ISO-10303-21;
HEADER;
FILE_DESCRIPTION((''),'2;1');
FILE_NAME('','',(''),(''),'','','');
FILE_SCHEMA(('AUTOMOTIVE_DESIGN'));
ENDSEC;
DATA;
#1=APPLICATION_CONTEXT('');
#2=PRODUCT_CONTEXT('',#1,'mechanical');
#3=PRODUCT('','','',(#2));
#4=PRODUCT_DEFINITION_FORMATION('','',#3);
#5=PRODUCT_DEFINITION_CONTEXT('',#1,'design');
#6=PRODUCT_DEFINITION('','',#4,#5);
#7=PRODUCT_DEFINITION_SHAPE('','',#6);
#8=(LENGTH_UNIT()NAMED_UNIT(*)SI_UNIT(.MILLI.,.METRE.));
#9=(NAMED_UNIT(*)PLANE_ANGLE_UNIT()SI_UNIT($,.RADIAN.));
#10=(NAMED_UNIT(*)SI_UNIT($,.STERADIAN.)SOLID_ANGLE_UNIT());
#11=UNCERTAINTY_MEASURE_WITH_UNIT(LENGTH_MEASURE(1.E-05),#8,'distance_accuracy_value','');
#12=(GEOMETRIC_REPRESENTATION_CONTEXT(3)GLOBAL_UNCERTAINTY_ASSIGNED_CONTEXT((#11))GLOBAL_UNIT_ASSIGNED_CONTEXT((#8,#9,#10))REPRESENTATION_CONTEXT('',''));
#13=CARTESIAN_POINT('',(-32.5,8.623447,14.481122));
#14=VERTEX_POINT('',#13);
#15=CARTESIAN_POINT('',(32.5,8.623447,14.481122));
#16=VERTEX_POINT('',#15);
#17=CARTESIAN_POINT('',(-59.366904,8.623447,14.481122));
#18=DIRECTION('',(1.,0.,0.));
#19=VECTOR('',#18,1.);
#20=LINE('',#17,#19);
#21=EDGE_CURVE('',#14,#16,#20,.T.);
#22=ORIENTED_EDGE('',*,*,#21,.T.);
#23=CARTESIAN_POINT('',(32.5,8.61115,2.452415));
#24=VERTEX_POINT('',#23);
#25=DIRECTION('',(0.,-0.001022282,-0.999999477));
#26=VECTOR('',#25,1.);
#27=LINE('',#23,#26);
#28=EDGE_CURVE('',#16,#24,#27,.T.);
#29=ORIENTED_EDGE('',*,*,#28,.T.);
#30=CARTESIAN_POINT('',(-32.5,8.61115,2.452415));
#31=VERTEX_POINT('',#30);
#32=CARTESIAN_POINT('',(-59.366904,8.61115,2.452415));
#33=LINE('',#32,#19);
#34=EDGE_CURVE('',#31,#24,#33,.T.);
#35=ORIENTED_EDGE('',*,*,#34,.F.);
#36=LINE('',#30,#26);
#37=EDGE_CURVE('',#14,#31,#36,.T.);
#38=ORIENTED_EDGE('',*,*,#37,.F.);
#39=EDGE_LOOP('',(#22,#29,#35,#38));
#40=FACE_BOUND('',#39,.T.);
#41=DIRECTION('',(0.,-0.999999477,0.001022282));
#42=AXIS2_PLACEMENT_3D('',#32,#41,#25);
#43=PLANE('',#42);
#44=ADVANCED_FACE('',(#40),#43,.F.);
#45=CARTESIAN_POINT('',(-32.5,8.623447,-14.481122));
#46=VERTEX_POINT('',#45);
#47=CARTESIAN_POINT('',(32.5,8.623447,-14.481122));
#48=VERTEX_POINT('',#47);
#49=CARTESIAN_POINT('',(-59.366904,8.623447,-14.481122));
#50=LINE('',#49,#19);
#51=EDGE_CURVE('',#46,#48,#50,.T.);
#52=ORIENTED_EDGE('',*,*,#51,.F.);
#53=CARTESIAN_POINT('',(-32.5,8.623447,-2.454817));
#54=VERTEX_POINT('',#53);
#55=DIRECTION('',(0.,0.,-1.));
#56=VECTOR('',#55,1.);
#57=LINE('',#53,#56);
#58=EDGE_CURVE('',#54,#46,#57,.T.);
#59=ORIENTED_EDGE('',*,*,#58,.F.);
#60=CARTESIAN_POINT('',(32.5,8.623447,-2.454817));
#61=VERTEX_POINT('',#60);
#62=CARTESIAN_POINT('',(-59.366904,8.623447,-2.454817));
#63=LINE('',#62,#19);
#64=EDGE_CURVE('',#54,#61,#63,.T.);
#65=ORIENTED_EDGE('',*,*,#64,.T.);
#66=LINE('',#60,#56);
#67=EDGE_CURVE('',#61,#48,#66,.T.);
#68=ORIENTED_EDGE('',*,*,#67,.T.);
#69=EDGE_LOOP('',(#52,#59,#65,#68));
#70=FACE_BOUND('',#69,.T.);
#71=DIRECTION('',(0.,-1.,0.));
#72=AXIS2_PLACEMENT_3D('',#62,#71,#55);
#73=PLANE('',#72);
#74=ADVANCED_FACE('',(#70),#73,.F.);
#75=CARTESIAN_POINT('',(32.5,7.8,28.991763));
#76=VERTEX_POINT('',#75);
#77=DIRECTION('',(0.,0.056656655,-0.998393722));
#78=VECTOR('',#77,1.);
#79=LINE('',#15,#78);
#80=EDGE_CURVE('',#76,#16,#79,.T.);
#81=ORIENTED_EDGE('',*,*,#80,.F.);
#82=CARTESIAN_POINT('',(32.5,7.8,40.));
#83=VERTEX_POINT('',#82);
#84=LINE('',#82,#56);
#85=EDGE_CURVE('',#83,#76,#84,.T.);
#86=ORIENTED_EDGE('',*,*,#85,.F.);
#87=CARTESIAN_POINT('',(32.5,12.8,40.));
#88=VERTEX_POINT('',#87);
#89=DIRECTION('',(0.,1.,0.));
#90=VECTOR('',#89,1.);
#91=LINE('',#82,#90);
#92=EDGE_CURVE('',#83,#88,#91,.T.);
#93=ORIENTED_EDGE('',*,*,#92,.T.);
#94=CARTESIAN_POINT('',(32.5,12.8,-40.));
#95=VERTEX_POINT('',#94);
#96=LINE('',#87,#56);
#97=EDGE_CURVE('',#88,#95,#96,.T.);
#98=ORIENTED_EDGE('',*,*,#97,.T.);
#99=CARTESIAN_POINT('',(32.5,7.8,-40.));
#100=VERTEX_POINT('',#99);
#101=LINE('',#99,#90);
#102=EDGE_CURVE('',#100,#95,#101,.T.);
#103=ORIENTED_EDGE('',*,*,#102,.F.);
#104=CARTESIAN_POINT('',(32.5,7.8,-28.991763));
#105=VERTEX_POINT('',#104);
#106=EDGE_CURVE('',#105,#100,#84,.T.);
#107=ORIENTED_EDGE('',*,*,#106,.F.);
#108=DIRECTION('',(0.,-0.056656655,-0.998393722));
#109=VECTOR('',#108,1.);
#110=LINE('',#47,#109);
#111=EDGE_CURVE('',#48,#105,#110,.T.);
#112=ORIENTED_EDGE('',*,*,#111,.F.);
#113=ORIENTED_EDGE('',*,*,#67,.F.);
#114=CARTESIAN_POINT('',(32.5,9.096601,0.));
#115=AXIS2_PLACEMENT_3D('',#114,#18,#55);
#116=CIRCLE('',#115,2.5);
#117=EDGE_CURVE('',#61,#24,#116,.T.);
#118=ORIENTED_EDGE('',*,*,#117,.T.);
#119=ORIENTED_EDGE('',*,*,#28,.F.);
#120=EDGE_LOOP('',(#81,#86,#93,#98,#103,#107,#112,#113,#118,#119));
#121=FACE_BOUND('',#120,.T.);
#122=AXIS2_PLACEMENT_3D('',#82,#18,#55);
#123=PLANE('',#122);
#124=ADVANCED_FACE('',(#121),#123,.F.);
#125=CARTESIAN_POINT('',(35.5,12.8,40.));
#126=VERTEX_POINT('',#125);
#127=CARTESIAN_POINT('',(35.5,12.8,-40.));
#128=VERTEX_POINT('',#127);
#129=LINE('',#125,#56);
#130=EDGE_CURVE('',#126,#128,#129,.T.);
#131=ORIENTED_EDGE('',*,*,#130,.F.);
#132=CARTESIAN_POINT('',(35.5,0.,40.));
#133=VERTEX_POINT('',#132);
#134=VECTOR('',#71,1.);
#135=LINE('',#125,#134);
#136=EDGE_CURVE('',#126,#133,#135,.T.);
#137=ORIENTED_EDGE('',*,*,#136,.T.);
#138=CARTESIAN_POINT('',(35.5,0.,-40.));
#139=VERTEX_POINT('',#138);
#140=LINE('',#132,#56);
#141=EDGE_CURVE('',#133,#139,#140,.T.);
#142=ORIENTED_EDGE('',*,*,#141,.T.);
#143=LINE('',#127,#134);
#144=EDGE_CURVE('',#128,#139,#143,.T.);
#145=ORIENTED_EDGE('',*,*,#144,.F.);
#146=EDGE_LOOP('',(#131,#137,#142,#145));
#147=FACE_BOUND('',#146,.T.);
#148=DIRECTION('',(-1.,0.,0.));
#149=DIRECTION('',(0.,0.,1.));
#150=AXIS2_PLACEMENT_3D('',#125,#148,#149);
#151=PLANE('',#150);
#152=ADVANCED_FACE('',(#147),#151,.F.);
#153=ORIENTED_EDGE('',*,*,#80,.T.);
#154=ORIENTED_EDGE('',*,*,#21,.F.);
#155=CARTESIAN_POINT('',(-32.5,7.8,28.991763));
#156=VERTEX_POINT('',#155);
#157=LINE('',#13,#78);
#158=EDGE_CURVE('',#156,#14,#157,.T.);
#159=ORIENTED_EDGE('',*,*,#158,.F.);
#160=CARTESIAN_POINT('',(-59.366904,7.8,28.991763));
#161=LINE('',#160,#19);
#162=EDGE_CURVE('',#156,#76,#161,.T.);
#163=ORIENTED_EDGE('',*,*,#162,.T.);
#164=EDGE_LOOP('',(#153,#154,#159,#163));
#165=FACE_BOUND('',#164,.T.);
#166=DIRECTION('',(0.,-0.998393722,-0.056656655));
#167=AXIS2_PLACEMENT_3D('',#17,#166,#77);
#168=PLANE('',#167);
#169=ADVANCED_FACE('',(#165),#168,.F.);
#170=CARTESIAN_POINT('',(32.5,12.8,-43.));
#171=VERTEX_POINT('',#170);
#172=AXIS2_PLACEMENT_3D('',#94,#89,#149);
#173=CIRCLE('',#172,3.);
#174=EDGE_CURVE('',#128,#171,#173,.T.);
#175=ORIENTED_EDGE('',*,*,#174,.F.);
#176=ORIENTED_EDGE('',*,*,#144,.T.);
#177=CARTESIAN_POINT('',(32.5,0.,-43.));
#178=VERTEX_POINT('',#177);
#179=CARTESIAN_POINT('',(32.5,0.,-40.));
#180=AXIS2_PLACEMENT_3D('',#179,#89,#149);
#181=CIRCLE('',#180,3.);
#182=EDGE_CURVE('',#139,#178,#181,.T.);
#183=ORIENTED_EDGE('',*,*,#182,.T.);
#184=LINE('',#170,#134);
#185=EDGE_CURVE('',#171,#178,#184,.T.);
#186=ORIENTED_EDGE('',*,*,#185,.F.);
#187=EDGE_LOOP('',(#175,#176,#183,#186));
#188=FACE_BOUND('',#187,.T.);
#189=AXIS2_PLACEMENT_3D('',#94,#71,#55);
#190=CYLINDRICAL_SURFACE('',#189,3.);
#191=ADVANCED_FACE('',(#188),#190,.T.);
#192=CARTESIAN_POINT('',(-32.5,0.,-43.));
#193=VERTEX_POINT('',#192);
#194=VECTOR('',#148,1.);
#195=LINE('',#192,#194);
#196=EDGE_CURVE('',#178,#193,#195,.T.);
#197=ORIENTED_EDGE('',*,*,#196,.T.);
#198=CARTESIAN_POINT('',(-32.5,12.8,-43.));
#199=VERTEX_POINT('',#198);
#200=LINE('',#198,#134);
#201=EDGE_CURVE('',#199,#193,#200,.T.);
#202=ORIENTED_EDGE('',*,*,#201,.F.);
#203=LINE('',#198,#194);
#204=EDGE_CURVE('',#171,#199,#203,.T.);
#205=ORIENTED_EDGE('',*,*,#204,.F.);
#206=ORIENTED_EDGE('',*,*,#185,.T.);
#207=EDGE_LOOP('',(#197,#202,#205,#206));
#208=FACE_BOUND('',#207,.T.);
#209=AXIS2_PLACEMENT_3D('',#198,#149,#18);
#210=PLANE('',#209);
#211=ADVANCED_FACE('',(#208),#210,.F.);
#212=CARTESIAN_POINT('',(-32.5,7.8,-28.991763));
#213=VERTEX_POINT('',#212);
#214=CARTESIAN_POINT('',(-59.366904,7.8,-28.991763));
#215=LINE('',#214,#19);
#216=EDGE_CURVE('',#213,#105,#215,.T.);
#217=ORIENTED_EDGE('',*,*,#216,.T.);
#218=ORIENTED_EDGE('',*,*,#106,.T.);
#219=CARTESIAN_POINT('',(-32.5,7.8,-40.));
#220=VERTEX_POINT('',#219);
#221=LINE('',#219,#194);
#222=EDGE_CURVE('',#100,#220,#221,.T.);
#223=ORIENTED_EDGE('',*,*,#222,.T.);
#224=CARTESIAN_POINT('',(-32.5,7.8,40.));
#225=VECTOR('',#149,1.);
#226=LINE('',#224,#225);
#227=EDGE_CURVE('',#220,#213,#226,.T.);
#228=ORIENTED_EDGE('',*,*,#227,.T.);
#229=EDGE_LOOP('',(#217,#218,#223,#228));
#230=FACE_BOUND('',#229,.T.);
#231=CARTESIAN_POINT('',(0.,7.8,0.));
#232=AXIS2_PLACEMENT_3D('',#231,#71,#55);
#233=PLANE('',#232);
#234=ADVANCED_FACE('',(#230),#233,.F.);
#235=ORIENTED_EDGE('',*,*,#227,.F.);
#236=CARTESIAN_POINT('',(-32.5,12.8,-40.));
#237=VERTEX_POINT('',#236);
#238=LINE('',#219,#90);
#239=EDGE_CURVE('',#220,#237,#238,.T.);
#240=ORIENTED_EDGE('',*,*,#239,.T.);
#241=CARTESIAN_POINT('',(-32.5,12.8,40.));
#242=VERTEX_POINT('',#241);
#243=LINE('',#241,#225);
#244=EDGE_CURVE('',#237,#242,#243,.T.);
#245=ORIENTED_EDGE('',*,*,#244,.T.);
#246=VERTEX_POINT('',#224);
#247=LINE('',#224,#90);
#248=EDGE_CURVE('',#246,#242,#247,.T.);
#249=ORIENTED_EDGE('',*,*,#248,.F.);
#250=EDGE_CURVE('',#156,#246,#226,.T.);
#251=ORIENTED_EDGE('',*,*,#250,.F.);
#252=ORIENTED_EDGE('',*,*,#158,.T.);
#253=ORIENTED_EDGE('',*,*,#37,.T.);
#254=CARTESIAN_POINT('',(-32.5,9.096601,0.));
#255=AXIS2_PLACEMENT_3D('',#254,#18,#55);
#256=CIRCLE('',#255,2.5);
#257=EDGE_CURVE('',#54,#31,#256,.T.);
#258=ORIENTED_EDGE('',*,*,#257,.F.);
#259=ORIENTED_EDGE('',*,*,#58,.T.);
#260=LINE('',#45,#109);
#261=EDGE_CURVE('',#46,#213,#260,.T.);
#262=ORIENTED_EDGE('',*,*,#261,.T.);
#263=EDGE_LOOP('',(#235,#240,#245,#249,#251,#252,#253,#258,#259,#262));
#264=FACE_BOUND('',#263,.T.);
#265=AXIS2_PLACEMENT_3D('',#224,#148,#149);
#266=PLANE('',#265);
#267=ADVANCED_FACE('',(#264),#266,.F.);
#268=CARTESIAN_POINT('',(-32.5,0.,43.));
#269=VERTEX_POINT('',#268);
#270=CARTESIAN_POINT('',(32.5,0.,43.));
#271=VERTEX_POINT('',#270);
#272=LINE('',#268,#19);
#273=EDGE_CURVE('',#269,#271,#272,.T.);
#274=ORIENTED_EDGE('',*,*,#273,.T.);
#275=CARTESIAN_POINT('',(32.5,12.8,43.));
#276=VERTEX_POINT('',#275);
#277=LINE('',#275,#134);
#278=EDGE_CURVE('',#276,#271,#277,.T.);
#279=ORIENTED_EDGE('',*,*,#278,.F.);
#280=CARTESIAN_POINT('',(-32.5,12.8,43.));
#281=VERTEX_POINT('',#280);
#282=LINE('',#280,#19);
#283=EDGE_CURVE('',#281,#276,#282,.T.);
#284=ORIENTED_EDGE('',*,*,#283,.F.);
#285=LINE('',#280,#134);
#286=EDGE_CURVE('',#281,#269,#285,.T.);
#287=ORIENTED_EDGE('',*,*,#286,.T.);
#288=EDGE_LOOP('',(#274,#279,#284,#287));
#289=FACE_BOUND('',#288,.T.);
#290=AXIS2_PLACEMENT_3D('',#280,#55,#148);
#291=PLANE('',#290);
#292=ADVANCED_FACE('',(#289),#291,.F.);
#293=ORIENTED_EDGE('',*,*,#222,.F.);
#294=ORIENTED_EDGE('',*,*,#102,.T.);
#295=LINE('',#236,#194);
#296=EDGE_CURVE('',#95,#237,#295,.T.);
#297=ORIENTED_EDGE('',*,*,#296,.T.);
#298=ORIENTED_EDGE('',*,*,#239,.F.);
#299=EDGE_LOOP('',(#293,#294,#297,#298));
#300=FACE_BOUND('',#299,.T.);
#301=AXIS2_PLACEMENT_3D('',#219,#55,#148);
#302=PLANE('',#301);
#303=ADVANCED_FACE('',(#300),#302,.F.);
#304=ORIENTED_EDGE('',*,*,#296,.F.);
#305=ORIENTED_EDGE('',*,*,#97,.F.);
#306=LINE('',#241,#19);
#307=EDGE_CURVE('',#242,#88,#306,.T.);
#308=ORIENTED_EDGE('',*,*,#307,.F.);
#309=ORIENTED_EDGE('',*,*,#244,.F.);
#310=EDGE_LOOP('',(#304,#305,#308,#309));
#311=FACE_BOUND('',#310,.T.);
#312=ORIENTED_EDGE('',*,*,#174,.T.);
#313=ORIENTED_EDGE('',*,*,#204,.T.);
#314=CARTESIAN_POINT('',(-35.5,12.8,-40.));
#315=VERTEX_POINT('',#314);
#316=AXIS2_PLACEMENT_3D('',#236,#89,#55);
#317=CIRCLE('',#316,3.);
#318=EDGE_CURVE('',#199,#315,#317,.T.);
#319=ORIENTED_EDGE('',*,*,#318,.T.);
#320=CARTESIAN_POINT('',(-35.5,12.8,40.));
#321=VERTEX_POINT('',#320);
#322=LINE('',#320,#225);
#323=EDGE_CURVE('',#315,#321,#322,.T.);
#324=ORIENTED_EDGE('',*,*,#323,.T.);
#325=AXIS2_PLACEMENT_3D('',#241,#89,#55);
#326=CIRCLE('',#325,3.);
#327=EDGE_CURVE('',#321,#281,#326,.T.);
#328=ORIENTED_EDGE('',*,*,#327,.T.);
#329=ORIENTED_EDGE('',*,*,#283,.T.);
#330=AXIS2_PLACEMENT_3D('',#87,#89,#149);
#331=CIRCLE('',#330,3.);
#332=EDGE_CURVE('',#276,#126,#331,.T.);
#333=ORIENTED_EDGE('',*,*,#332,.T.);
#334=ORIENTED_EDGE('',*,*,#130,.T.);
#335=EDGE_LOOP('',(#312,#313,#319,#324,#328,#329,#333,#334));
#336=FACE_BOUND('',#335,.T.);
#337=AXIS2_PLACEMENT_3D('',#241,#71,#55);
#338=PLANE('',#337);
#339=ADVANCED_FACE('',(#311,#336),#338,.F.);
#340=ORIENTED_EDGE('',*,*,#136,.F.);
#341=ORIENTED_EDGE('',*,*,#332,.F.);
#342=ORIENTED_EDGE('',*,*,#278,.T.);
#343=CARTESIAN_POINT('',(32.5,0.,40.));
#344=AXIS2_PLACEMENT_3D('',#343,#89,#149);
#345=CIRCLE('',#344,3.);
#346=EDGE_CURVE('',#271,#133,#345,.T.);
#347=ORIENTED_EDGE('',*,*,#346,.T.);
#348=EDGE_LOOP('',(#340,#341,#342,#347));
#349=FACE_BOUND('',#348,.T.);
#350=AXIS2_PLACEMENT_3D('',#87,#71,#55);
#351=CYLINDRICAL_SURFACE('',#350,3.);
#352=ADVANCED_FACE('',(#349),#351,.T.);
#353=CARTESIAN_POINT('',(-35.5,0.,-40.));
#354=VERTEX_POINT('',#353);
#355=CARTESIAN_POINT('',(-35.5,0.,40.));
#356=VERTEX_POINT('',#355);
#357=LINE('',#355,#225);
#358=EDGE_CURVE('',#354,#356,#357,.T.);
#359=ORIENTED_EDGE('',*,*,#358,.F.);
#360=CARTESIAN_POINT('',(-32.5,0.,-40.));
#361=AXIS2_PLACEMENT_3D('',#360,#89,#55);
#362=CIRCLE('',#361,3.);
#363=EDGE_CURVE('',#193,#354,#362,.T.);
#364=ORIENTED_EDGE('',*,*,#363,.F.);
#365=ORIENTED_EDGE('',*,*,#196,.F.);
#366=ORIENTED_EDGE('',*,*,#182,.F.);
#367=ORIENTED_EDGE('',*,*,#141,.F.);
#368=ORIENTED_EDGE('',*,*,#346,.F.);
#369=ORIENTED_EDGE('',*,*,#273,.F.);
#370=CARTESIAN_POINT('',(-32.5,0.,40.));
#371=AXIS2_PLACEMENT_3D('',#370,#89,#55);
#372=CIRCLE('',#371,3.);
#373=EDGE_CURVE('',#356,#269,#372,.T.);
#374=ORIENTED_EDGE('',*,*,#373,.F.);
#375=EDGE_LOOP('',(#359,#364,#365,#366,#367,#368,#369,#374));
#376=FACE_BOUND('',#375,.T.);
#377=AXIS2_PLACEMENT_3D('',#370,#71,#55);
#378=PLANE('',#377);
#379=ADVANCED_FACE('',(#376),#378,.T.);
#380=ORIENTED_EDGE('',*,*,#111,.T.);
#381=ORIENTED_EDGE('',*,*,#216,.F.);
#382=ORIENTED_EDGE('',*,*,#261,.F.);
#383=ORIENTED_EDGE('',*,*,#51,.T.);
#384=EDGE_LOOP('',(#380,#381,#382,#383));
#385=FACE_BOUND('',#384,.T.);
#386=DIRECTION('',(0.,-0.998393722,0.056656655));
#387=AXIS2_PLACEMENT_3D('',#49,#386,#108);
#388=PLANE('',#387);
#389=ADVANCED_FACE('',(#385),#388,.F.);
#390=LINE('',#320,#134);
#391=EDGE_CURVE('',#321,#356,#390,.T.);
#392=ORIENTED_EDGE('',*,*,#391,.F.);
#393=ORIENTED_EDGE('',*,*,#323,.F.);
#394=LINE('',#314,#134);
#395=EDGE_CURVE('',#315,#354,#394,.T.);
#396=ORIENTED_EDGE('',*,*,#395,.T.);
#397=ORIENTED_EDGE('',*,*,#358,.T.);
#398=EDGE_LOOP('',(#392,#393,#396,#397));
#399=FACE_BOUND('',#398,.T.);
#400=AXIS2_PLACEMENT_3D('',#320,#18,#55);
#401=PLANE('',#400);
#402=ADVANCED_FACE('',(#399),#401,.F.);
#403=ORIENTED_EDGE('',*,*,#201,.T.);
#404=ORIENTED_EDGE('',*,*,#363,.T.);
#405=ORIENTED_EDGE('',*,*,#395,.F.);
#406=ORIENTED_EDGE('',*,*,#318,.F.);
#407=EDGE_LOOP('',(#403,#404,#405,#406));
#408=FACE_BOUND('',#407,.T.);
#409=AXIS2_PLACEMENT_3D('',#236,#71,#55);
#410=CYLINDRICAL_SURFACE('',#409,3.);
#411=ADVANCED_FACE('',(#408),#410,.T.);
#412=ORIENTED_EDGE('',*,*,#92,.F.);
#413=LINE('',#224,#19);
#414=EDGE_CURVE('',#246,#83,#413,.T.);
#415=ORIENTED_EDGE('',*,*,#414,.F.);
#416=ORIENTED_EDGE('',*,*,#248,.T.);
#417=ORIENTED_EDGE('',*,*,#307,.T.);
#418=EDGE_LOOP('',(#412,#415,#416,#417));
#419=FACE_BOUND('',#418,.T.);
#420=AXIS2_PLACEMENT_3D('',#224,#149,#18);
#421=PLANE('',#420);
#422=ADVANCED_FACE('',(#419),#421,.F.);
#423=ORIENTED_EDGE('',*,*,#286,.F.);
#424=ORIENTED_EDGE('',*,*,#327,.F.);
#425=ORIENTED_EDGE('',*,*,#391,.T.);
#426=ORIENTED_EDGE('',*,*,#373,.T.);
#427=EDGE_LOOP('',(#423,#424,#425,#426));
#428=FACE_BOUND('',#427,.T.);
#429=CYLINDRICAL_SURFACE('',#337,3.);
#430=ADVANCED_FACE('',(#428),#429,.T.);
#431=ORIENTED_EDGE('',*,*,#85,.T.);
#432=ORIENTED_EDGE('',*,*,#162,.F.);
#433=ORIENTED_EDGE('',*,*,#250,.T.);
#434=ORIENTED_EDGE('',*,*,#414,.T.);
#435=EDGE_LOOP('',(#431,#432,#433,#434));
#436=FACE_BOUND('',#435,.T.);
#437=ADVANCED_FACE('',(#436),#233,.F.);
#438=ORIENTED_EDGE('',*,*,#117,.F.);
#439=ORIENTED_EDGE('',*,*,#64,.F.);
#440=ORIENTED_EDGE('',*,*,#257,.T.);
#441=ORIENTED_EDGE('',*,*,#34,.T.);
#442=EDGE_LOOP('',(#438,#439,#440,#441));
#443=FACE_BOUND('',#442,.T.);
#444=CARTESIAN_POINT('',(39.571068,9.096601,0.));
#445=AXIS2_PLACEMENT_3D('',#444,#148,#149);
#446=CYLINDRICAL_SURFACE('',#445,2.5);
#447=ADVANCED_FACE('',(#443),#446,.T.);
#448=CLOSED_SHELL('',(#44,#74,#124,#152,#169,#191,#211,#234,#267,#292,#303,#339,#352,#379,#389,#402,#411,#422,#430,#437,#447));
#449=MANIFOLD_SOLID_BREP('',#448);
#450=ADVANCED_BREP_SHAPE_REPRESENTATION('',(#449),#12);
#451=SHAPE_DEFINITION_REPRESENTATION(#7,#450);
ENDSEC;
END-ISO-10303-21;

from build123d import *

# Parameters (mm, degrees)
BOSS_EXTRUDE1_DEPTH = 12.8
SKETCH2_W           = 65
SKETCH2_H           = 80
CUT_EXTRUDE1_DEPTH  = 5
SKETCH3_R           = 2.5
BOSS_EXTRUDE2_DEPTH = 65
BOSS_EXTRUDE3_START = 65
BOSS_EXTRUDE3_DEPTH = 65


with BuildPart() as part:
    # Sketch1 → Boss-Extrude1 (new body)
    with BuildSketch(Plane(origin=(0, 0, 0), x_dir=(1, 0, 0), z_dir=(0, 1, 0))):
        with BuildLine():
            Line((-32.5, -43), (32.5, -43))
            ThreePointArc((32.5, -43), (34.621320344, -42.121320344), (35.5, -40))
            Line((35.5, -40), (35.5, 40))
            ThreePointArc((35.5, 40), (34.621320344, 42.121320344), (32.5, 43))
            Line((32.5, 43), (-32.5, 43))
            ThreePointArc((-32.5, 43), (-34.621320344, 42.121320344), (-35.5, 40))
            Line((-35.5, 40), (-35.5, -40))
            ThreePointArc((-35.5, -40), (-34.621320344, -42.121320344), (-32.5, -43))
        make_face()
    extrude(amount=BOSS_EXTRUDE1_DEPTH)

    # Sketch2 → Cut-Extrude1 (cut)
    with BuildSketch(Plane(origin=(0, 12.8, 0), x_dir=(1, 0, 0), z_dir=(0, 1, 0))):
        Rectangle(SKETCH2_W, SKETCH2_H)
    extrude(amount=-CUT_EXTRUDE1_DEPTH, mode=Mode.SUBTRACT)

    # Sketch3 → Boss-Extrude2 (add)
    with BuildSketch(Plane(origin=(-32.5, 0, 0), x_dir=(0, 0, -1), z_dir=(1, 0, 0))):
        with Locations((0, 9.096601027)):
            Circle(SKETCH3_R)
    extrude(amount=BOSS_EXTRUDE2_DEPTH)

    # Sketch4 → Boss-Extrude3 (add)
    with BuildSketch(Plane.ZY.offset(-32.5).offset(BOSS_EXTRUDE3_START)):
        with BuildLine():
            Line((-2.454816759, 8.623447059), (-14.48112221, 8.623447059))
            Line((-14.48112221, 8.623447059), (-28.991763091, 7.8))
            Line((-28.991763091, 7.8), (-2.137481176, 7.8))
            ThreePointArc((-2.137481176, 7.8), (-2.332770101, 8.197610675), (-2.454816759, 8.623447059))
        make_face()
        with BuildLine():
            Line((2.452414649, 8.611150321), (14.48112221, 8.623447059))
            Line((14.48112221, 8.623447059), (28.991763091, 7.8))
            Line((28.991763091, 7.8), (2.137481176, 7.8))
            ThreePointArc((2.137481176, 7.8), (2.330510058, 8.191767966), (2.452414649, 8.611150321))
        make_face()
    extrude(amount=-BOSS_EXTRUDE3_DEPTH)


solid = part.part
